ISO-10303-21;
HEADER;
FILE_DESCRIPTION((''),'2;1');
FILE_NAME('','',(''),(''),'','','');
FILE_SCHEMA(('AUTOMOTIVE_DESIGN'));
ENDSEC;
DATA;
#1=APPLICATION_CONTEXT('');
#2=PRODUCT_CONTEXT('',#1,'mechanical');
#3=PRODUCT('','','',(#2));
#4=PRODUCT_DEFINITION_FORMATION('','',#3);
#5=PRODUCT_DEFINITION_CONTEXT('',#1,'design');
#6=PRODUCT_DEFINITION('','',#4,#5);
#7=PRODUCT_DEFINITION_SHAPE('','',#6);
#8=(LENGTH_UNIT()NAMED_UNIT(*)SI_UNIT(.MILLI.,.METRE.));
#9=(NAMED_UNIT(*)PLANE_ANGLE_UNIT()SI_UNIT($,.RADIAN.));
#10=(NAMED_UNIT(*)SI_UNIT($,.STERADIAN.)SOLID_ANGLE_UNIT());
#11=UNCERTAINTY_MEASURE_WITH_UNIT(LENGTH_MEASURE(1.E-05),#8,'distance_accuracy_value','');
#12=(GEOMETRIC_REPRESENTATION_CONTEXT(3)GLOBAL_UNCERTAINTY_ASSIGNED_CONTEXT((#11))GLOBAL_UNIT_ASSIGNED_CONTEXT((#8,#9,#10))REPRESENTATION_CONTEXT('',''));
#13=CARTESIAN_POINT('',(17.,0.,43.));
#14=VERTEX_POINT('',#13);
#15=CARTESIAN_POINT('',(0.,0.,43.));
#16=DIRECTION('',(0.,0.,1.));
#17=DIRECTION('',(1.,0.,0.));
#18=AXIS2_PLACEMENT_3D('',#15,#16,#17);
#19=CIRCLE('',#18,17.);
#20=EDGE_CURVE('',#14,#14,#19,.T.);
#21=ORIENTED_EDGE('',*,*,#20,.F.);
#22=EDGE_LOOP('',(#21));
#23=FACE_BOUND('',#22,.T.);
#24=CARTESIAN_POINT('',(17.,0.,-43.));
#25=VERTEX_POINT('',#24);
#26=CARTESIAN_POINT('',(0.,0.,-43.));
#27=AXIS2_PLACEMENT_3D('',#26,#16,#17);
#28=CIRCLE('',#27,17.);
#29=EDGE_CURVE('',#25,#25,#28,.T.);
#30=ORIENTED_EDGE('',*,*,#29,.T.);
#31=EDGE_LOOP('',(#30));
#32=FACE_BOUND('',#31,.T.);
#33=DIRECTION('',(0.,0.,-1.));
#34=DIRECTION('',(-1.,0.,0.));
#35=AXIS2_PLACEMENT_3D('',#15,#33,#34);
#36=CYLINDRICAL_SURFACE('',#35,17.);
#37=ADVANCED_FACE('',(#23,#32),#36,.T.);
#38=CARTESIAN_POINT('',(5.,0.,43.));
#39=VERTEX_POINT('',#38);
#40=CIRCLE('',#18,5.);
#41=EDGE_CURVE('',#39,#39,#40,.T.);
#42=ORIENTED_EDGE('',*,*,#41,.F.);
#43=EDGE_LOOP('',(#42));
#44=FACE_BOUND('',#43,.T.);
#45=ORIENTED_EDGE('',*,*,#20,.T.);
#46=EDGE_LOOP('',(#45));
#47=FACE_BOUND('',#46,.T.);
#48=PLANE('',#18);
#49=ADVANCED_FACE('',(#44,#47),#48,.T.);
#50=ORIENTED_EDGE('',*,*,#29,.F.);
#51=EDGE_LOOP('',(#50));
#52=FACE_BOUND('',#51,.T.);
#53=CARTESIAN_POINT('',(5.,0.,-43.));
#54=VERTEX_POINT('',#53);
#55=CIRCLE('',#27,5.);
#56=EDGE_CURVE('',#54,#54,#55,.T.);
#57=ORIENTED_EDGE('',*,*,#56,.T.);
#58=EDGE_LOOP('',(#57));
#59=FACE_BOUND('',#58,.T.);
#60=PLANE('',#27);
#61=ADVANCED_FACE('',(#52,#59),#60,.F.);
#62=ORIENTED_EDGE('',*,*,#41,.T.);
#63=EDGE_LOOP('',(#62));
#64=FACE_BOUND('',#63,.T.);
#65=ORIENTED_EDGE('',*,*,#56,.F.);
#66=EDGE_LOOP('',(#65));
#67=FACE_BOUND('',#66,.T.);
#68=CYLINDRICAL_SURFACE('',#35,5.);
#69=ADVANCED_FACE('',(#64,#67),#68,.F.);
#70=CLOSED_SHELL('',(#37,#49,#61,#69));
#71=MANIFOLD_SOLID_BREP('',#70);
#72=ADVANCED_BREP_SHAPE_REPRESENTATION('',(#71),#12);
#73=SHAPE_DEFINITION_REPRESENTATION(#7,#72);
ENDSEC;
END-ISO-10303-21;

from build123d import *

# Parameters (mm, degrees)
CROQUIS1_R              = 17
CROQUIS1_R_2            = 5
SALIENTE_EXTRUIR1_DEPTH = 43


with BuildPart() as part:
    # Croquis1 → Saliente-Extruir1 (new body, symmetric)
    with BuildSketch(Plane.XY):
        Circle(CROQUIS1_R)
        Circle(CROQUIS1_R_2, mode=Mode.SUBTRACT)
    extrude(amount=SALIENTE_EXTRUIR1_DEPTH, both=True)


solid = part.part
